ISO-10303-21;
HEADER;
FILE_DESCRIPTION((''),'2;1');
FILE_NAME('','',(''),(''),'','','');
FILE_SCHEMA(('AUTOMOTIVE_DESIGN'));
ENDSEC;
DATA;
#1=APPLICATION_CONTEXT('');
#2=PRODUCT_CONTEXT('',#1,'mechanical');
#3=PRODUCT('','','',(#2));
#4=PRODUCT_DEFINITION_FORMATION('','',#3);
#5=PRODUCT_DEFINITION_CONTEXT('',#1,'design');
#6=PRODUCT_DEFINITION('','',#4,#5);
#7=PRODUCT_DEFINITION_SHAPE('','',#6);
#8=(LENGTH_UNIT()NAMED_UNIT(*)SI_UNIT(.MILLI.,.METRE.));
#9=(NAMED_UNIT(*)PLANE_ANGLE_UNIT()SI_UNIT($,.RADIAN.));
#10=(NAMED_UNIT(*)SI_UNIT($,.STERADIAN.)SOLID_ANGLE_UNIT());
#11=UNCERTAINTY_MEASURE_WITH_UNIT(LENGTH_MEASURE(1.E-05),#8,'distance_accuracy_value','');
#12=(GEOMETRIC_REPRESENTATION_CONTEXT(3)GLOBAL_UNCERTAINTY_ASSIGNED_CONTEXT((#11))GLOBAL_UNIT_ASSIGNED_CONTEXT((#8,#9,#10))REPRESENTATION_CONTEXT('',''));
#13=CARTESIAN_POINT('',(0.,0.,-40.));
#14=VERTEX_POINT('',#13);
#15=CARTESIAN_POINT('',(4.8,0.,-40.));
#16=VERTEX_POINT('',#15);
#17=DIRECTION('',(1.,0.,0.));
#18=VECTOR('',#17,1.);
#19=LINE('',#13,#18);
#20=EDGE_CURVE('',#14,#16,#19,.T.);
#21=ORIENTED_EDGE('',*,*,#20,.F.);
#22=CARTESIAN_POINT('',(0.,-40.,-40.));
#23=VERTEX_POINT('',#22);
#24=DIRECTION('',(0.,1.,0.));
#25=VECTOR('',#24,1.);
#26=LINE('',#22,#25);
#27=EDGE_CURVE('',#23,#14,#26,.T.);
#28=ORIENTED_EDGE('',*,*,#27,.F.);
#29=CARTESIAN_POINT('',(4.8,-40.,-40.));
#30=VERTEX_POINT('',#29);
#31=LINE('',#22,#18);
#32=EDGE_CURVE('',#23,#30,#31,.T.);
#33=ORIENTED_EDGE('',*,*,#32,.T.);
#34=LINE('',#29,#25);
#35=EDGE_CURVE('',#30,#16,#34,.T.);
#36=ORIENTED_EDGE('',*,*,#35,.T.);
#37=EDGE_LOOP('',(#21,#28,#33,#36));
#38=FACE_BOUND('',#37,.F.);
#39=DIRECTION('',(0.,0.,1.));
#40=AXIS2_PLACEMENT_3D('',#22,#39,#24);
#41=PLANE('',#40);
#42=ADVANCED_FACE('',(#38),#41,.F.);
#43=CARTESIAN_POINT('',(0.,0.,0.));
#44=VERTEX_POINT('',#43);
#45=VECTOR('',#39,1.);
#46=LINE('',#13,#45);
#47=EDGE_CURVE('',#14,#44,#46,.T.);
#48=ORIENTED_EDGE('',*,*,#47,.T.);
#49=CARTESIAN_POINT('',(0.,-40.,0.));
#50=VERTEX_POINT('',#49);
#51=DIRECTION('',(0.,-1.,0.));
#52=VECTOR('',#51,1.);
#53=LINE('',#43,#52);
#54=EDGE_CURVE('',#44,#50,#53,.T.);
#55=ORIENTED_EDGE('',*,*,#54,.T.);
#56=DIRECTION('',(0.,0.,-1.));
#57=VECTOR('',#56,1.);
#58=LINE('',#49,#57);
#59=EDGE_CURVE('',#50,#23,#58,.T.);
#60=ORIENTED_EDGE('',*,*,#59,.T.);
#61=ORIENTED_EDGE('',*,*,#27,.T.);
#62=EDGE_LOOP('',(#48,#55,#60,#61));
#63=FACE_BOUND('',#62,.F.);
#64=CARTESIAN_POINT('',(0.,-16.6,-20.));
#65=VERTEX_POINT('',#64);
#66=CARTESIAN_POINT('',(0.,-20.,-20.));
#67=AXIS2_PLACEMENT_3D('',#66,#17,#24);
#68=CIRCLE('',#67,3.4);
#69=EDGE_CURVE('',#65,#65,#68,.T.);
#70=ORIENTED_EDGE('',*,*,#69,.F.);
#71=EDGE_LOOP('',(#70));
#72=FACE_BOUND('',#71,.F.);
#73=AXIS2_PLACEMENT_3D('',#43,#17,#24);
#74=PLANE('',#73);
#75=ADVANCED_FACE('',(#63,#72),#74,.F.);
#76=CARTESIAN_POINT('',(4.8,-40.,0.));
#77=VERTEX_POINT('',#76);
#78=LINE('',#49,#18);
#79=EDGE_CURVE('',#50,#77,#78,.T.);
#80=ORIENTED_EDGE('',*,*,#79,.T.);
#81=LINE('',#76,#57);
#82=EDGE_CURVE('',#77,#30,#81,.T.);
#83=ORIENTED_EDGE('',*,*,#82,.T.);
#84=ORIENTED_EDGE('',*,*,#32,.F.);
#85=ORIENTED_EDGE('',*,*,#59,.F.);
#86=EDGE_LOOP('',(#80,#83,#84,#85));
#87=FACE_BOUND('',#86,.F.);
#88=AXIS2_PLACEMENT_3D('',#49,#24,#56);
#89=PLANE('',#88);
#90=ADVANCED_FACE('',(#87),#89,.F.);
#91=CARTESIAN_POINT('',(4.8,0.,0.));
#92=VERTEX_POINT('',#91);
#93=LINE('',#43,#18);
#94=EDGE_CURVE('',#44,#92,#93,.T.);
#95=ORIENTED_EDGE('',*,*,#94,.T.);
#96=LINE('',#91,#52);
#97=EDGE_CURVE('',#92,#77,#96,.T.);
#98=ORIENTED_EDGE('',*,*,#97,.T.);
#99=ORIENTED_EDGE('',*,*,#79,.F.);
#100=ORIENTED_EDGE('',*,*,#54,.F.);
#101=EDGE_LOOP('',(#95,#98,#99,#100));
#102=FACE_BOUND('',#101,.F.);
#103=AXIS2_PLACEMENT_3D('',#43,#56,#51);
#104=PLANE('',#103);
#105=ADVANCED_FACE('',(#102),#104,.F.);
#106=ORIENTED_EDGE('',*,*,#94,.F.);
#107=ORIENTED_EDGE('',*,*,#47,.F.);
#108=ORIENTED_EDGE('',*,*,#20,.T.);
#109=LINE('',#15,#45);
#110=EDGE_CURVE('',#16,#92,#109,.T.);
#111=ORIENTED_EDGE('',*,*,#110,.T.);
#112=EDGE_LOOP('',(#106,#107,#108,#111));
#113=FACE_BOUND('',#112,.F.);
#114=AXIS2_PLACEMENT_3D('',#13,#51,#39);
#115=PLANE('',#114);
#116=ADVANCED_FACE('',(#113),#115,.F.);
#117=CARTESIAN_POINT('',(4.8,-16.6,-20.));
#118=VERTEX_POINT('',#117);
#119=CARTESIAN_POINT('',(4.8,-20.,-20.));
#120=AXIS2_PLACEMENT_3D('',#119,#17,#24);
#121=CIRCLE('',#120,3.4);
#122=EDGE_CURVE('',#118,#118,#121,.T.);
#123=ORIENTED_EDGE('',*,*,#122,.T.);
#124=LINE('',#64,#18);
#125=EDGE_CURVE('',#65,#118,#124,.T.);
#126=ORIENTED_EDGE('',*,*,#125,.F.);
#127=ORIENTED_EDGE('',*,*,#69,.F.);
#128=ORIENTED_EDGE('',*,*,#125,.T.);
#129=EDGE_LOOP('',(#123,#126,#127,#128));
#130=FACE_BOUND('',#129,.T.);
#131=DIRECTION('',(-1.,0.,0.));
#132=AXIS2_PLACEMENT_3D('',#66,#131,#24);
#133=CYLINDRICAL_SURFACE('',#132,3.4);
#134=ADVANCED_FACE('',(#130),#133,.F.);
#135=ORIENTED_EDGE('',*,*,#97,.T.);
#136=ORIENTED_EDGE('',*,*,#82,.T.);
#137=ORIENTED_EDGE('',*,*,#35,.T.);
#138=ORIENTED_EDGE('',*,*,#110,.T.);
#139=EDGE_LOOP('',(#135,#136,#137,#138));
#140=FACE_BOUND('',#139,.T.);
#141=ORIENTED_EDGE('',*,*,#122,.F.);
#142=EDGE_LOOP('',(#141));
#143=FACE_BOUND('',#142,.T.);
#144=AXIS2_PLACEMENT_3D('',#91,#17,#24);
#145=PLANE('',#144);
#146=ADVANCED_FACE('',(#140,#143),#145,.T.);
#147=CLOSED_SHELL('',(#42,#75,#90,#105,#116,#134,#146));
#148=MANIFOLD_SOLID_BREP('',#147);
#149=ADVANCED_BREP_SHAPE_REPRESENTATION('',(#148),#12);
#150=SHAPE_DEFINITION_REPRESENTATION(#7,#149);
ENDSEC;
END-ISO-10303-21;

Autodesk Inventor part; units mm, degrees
ref_plane "YZ Plane" through (0, 0, 0) normal (1, 0, 0) x (0, 1, 0)
ref_plane "XZ Plane" through (0, 0, 0) normal (0, 1, 0) x (-1, 0, 0)
ref_plane "XY Plane" through (0, 0, 0) normal (0, 0, 1) x (1, 0, 0)
sketch "Sketch1" plane through (0, 0, 0) normal (1, 0, 0) x (0, 1, 0)
  line L0 (0, 0) -> (-40, 0)
  line L1 (-40, 0) -> (-40, -40)
  line L2 (-40, -40) -> (0, -40)
  line L3 (0, -40) -> (0, 0)
  circle A0 centre (-20, -20) radius 3.4
  dimension "d0" = 40
  dimension "d1" = 40
  dimension "d2" = 3.4
  dimension "d3" = 20
  dimension "d4" = 20
extrude "Extrusion1" add sketch "Sketch1" along normal blind 4.8
thread "Thread1" size "M7x1" class "6H" standard "ANSI Metric M Profile" full length
properties part number "Top Plate"
